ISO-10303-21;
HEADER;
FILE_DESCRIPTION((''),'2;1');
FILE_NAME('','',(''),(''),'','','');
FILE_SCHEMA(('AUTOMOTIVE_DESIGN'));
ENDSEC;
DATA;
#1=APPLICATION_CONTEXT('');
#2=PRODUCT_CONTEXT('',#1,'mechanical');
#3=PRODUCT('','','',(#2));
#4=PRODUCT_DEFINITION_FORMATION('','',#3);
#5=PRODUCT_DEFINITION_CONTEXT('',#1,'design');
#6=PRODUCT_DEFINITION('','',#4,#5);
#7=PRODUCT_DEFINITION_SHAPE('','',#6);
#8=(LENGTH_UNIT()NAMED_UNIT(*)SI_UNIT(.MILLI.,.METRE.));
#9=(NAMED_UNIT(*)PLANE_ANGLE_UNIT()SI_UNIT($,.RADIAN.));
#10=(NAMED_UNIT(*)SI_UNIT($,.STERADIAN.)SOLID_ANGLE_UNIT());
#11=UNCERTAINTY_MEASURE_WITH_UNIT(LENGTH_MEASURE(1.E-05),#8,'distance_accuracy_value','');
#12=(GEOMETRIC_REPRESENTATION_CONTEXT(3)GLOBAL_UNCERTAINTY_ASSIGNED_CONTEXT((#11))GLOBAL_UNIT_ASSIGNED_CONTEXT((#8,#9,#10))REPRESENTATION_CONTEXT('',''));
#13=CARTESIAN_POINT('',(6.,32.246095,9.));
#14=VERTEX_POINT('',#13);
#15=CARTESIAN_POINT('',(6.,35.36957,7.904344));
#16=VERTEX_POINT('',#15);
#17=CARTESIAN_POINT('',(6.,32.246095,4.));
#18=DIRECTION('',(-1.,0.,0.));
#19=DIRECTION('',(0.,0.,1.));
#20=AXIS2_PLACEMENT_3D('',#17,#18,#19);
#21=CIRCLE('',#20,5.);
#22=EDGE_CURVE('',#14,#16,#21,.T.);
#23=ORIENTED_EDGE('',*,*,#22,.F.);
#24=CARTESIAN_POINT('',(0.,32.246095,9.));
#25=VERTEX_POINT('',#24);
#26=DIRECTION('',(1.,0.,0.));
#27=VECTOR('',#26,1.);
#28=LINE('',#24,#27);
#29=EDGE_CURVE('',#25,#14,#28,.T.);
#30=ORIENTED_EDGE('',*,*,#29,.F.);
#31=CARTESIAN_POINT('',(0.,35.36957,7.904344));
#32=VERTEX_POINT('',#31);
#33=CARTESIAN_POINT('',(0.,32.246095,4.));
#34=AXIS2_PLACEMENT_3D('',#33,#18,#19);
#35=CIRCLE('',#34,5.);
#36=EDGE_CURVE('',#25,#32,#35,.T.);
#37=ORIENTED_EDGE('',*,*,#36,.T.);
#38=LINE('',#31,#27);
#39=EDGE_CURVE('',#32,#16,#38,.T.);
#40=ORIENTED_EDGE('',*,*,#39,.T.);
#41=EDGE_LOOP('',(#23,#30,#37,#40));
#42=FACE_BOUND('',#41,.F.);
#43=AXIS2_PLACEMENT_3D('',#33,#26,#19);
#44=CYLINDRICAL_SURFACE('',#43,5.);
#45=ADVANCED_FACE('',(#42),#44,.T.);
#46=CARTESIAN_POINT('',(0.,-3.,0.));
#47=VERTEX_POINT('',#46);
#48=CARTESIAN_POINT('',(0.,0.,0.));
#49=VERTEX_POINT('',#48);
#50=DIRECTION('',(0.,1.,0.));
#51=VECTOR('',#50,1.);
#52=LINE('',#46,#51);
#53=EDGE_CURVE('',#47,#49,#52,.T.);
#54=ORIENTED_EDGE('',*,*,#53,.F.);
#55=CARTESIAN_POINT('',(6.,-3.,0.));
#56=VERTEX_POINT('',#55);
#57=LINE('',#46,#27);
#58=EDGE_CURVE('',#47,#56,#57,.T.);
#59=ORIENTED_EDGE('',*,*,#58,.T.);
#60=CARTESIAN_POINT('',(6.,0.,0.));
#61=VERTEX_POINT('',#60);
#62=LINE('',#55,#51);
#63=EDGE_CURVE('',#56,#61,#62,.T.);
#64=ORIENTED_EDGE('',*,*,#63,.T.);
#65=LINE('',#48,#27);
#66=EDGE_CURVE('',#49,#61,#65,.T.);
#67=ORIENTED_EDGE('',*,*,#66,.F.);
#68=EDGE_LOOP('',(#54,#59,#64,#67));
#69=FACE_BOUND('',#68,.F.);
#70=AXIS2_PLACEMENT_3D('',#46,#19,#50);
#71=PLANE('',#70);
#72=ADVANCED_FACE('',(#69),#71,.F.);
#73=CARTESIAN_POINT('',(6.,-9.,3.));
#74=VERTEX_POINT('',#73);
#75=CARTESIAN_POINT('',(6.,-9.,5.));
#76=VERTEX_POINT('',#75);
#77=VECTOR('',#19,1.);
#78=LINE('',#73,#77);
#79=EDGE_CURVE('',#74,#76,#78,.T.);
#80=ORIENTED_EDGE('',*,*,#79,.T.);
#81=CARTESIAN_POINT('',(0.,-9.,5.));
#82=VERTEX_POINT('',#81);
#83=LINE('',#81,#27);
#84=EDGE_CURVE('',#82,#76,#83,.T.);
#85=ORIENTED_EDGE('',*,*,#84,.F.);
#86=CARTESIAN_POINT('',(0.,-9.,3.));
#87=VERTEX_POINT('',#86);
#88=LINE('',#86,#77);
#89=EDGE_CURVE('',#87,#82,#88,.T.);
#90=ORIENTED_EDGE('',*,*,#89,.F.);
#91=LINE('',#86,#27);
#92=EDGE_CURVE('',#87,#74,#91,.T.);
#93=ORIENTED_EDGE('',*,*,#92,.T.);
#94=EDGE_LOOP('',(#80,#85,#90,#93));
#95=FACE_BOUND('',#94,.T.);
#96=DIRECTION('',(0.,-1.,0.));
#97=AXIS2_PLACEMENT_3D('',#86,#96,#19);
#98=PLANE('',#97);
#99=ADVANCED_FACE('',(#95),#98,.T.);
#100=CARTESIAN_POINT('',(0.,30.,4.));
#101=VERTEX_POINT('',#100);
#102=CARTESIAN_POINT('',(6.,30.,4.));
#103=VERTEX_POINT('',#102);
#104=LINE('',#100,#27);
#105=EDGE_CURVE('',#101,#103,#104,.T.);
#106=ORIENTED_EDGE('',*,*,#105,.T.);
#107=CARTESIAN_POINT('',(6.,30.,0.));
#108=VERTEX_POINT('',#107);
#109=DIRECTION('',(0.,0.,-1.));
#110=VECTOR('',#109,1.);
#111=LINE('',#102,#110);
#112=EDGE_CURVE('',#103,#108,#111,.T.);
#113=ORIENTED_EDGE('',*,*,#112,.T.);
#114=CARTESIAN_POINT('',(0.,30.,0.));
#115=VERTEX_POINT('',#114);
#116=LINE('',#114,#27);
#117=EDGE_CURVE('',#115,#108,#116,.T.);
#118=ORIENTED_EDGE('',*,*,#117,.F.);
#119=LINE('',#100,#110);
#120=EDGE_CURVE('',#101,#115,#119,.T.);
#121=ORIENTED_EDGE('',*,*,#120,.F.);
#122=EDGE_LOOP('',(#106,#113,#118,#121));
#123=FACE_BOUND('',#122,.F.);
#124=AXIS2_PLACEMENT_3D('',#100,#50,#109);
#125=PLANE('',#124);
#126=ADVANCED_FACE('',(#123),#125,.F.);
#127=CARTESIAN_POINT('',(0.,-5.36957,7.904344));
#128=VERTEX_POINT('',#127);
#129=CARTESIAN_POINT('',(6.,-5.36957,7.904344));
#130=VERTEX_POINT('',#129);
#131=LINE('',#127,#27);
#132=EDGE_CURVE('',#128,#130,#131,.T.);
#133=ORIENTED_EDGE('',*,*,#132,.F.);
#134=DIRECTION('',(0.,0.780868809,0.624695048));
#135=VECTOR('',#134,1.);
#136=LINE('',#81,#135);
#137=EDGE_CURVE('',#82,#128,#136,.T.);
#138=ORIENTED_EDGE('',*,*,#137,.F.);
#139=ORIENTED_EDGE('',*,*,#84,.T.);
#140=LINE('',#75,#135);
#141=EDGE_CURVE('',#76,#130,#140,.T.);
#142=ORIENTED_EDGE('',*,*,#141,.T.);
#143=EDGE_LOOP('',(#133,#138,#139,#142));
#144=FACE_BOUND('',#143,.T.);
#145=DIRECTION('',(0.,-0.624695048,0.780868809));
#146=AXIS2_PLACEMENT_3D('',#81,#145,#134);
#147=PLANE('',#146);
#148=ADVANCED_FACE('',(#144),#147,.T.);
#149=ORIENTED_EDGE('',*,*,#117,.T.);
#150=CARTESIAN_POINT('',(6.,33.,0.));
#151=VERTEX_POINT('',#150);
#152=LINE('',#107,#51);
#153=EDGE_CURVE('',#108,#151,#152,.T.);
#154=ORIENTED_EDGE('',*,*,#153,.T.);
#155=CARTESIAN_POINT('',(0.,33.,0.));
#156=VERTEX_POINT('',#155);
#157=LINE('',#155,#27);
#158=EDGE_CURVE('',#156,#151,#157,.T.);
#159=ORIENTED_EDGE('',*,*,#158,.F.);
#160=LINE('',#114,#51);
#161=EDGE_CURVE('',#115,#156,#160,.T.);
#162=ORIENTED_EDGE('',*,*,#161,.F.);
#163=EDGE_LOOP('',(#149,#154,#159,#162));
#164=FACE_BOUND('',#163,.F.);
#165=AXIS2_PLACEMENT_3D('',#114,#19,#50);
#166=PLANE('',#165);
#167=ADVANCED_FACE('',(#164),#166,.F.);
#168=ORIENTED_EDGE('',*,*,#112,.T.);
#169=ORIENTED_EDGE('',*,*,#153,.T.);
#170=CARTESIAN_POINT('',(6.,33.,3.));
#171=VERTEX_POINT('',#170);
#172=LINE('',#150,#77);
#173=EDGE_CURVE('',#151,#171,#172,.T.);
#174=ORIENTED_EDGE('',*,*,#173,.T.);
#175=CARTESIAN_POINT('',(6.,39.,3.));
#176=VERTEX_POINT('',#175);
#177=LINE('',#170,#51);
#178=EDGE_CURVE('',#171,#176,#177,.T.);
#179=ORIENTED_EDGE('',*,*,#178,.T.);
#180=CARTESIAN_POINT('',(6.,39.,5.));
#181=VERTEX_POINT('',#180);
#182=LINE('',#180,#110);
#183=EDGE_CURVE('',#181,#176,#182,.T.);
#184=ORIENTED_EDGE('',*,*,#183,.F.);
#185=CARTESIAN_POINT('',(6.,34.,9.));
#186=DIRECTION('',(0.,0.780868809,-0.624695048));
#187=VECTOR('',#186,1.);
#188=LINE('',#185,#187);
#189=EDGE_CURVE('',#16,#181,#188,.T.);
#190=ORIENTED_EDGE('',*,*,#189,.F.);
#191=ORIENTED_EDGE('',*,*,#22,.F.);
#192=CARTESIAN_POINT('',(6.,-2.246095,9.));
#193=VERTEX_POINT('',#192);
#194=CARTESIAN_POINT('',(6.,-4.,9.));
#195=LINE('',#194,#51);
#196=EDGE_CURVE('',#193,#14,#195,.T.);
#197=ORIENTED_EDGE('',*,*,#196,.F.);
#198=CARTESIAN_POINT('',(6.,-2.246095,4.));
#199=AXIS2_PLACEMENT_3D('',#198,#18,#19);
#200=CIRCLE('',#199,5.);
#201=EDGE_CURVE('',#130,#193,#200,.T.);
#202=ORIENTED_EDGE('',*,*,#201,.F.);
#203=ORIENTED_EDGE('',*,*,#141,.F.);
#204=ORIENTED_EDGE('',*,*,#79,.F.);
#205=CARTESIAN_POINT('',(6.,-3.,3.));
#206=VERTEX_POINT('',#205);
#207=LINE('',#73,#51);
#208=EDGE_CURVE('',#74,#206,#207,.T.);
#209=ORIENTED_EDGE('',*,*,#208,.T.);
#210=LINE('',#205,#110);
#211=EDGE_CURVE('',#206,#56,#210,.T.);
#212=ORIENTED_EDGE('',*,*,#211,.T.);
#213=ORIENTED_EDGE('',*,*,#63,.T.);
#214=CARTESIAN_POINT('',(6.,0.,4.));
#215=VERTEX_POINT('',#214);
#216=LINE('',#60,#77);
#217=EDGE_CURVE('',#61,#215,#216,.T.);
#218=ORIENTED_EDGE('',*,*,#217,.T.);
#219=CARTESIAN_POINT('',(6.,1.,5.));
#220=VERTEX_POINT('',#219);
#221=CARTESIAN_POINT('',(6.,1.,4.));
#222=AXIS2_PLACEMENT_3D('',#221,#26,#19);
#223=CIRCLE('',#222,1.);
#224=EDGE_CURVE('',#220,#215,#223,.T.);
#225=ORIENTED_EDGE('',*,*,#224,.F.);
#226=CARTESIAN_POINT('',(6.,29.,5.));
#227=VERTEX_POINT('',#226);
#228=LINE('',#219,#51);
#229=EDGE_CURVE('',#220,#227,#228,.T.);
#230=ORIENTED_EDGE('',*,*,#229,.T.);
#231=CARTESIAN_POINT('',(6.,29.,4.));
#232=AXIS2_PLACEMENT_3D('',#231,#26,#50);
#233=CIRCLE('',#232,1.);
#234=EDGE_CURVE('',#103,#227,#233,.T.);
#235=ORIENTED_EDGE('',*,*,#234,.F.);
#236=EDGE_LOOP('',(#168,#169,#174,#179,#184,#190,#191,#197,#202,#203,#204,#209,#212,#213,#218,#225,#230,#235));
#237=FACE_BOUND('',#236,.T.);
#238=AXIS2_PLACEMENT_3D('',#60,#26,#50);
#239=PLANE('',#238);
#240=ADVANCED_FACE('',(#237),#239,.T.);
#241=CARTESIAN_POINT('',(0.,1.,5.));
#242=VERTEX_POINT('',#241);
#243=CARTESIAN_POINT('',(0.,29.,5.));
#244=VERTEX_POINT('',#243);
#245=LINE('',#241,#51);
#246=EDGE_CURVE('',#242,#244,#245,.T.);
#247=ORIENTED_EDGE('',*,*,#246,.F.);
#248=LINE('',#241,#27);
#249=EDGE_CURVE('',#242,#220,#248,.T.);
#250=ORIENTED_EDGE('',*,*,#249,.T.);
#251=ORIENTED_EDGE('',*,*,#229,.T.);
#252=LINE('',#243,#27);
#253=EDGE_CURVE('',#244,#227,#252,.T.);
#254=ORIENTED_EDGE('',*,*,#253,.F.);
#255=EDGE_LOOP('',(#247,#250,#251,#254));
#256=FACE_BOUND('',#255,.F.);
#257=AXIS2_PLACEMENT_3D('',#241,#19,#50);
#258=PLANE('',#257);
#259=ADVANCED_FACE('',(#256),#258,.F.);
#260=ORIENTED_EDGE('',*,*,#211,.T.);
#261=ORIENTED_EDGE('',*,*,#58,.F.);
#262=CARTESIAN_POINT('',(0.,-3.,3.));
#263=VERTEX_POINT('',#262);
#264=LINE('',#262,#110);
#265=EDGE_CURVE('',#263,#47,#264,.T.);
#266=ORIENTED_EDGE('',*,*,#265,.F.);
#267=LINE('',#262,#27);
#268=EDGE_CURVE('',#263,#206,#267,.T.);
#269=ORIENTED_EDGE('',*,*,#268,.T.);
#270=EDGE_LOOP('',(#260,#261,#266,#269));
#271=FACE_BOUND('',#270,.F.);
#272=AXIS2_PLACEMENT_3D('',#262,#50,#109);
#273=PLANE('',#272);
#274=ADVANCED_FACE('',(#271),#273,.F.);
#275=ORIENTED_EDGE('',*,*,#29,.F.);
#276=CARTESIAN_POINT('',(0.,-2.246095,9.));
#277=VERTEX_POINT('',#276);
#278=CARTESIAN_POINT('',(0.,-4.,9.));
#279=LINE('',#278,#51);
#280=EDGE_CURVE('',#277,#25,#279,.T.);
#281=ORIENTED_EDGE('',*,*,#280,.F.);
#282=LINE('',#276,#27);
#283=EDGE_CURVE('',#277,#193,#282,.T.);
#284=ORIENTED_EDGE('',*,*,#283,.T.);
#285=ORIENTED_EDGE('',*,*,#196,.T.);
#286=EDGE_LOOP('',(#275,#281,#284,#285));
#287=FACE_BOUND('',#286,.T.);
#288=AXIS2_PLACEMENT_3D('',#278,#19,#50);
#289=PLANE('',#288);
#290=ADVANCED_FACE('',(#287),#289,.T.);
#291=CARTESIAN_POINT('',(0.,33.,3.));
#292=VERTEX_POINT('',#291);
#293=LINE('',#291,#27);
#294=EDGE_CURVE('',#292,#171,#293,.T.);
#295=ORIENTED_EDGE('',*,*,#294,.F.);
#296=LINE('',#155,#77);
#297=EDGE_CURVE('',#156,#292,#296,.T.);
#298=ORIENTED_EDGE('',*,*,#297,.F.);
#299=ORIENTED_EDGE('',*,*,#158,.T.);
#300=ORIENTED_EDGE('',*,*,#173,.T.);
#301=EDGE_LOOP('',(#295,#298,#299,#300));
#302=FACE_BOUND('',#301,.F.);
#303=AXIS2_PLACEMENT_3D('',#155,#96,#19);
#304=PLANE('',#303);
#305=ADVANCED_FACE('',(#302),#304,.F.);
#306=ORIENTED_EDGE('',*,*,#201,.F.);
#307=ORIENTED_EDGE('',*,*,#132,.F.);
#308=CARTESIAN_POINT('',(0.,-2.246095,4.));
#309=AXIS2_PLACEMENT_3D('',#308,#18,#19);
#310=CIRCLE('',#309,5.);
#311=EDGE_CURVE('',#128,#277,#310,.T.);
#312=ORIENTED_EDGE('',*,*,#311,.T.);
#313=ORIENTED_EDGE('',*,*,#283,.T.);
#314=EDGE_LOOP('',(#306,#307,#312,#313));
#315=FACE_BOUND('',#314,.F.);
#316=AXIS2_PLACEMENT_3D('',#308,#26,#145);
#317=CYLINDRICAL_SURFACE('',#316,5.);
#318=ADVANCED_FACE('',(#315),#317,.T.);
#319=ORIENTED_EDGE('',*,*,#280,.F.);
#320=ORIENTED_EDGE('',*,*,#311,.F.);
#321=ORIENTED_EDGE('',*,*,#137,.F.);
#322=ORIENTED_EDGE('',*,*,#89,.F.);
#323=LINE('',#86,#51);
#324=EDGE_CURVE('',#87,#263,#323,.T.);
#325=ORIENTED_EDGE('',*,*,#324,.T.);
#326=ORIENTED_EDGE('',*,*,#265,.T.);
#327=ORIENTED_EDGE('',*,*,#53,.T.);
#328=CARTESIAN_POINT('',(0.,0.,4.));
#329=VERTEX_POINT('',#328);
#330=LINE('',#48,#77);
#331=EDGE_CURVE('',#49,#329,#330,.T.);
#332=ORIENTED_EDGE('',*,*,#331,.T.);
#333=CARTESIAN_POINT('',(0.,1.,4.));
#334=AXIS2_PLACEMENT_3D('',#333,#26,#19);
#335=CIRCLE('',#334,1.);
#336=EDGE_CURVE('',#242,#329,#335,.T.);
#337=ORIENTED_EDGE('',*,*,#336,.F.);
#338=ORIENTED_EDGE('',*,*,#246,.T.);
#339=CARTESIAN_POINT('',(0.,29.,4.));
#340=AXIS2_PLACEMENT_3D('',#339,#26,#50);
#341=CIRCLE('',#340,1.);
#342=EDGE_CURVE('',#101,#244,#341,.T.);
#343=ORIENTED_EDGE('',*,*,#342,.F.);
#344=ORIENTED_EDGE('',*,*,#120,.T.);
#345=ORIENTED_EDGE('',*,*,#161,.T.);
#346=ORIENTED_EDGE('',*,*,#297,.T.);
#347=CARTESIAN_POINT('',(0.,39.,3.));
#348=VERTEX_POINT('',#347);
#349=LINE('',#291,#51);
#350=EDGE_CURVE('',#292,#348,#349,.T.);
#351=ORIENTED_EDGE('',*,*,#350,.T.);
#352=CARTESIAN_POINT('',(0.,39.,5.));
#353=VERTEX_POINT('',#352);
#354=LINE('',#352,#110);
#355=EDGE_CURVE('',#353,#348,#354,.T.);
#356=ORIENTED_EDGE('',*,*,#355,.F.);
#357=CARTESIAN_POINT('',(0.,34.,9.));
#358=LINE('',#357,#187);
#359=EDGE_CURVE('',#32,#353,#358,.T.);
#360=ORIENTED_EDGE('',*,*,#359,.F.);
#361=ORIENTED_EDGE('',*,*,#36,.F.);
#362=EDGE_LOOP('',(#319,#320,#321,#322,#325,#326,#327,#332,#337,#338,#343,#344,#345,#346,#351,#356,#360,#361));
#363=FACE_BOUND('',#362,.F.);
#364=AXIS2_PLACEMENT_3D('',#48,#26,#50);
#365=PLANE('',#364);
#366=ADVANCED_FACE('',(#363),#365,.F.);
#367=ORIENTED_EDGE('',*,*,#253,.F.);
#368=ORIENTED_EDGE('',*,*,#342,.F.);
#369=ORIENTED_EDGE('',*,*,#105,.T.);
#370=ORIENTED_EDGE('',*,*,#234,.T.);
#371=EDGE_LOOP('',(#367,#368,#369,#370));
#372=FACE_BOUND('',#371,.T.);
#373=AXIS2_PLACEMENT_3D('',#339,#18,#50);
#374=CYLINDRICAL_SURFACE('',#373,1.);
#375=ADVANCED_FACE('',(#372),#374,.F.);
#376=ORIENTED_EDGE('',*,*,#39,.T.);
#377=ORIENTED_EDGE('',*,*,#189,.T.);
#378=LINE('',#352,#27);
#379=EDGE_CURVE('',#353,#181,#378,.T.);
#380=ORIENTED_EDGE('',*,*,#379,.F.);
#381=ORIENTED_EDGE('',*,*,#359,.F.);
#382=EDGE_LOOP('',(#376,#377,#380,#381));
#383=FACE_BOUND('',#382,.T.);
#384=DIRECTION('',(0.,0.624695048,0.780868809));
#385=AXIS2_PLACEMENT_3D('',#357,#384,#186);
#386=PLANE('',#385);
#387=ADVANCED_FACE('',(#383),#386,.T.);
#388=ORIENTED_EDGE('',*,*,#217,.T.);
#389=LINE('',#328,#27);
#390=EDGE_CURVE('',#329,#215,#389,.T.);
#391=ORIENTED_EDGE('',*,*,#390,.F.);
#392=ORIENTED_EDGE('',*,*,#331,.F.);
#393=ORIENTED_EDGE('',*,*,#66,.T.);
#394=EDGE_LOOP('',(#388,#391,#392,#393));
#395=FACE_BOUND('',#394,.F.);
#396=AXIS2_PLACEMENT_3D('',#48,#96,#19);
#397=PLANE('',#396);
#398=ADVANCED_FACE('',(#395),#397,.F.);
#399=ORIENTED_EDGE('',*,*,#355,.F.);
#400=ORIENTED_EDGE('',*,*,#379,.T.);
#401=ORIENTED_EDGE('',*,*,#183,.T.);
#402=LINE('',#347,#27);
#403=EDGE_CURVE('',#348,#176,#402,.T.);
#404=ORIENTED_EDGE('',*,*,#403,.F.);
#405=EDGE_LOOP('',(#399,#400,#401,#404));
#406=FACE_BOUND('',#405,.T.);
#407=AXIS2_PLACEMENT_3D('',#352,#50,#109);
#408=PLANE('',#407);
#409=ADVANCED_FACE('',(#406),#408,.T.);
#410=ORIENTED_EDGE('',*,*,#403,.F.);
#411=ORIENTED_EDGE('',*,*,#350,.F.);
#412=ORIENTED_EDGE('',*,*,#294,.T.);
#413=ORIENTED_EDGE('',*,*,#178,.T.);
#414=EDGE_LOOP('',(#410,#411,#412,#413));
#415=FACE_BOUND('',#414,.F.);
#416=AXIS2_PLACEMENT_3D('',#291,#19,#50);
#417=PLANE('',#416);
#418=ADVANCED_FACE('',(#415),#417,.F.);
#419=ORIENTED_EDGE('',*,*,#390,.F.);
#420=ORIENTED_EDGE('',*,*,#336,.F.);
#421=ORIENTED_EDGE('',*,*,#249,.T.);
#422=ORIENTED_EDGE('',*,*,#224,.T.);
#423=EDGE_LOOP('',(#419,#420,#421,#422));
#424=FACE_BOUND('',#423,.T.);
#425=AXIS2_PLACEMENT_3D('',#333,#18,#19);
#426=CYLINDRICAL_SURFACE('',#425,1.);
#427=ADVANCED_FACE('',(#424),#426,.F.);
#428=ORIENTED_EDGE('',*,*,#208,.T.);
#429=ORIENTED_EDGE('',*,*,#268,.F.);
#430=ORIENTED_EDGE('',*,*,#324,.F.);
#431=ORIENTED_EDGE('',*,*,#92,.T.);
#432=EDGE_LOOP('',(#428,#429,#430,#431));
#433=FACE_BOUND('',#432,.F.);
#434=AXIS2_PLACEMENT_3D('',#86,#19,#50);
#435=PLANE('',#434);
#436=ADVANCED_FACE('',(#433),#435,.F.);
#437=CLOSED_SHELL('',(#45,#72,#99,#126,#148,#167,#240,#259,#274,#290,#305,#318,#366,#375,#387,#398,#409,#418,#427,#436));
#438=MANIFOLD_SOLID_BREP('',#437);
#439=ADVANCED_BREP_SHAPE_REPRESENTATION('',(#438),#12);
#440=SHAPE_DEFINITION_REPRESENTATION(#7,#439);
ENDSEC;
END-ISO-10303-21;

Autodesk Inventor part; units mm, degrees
ref_plane "YZ Plane" through (0, 0, 0) normal (1, 0, 0) x (0, 1, 0)
ref_plane "XZ Plane" through (0, 0, 0) normal (0, 1, 0) x (-1, 0, 0)
ref_plane "XY Plane" through (0, 0, 0) normal (0, 0, 1) x (1, 0, 0)
sketch "Sketch1" plane through (0, 0, 0) normal (1, 0, 0) x (0, 1, 0)
  line L0 (30, 0) -> (33, 0)
  line L1 (33, 0) -> (33, 3)
  line L2 (33, 3) -> (39, 3)
  line L3 (-9, 3) -> (-3, 3)
  line L4 (-3, 3) -> (-3, 0)
  line L5 (-3, 0) -> (0, 0)
  line L6 (0, 0) -> (0, 4)
  line L7 (1, 5) -> (29, 5)
  line L8 (30, 4) -> (30, 0)
  arc A0 (1, 5) -> (0, 4) centre (1, 4) ccw
  arc A1 (30, 4) -> (29, 5) centre (29, 4) ccw
  line L9 (-4, 9) -> (34, 9)
  line L10 (34, 9) -> (39, 5)
  line L11 (39, 5) -> (39, 3)
  line L12 (-9, 3) -> (-9, 5)
  line L13 (-9, 5) -> (-4, 9)
  point P0 (0, 0)
  point P1 (0, 5)
  point P2 (30, 5)
  point P3 (15, 9)
  point P4 (15, 5)
  dimension "d1" = 3
  dimension "d4" = 30
  dimension "d5" = 2
  dimension "d7" = 3
  dimension "d30" = 38
  dimension "d31" = 4
  dimension "d32" = 2
  dimension "d33" = 2
  dimension "d36" = 3
  dimension "d37" = 3
  dimension "d41" = 6
  dimension "d42" = 6
extrude "Extrusion1" add sketch "Sketch1" along normal blind 6
fillet "Fillet1" radius 5 2 edges at (3, -4, 9) (3, 34, 9)
properties part number "27080914ServoMount"
